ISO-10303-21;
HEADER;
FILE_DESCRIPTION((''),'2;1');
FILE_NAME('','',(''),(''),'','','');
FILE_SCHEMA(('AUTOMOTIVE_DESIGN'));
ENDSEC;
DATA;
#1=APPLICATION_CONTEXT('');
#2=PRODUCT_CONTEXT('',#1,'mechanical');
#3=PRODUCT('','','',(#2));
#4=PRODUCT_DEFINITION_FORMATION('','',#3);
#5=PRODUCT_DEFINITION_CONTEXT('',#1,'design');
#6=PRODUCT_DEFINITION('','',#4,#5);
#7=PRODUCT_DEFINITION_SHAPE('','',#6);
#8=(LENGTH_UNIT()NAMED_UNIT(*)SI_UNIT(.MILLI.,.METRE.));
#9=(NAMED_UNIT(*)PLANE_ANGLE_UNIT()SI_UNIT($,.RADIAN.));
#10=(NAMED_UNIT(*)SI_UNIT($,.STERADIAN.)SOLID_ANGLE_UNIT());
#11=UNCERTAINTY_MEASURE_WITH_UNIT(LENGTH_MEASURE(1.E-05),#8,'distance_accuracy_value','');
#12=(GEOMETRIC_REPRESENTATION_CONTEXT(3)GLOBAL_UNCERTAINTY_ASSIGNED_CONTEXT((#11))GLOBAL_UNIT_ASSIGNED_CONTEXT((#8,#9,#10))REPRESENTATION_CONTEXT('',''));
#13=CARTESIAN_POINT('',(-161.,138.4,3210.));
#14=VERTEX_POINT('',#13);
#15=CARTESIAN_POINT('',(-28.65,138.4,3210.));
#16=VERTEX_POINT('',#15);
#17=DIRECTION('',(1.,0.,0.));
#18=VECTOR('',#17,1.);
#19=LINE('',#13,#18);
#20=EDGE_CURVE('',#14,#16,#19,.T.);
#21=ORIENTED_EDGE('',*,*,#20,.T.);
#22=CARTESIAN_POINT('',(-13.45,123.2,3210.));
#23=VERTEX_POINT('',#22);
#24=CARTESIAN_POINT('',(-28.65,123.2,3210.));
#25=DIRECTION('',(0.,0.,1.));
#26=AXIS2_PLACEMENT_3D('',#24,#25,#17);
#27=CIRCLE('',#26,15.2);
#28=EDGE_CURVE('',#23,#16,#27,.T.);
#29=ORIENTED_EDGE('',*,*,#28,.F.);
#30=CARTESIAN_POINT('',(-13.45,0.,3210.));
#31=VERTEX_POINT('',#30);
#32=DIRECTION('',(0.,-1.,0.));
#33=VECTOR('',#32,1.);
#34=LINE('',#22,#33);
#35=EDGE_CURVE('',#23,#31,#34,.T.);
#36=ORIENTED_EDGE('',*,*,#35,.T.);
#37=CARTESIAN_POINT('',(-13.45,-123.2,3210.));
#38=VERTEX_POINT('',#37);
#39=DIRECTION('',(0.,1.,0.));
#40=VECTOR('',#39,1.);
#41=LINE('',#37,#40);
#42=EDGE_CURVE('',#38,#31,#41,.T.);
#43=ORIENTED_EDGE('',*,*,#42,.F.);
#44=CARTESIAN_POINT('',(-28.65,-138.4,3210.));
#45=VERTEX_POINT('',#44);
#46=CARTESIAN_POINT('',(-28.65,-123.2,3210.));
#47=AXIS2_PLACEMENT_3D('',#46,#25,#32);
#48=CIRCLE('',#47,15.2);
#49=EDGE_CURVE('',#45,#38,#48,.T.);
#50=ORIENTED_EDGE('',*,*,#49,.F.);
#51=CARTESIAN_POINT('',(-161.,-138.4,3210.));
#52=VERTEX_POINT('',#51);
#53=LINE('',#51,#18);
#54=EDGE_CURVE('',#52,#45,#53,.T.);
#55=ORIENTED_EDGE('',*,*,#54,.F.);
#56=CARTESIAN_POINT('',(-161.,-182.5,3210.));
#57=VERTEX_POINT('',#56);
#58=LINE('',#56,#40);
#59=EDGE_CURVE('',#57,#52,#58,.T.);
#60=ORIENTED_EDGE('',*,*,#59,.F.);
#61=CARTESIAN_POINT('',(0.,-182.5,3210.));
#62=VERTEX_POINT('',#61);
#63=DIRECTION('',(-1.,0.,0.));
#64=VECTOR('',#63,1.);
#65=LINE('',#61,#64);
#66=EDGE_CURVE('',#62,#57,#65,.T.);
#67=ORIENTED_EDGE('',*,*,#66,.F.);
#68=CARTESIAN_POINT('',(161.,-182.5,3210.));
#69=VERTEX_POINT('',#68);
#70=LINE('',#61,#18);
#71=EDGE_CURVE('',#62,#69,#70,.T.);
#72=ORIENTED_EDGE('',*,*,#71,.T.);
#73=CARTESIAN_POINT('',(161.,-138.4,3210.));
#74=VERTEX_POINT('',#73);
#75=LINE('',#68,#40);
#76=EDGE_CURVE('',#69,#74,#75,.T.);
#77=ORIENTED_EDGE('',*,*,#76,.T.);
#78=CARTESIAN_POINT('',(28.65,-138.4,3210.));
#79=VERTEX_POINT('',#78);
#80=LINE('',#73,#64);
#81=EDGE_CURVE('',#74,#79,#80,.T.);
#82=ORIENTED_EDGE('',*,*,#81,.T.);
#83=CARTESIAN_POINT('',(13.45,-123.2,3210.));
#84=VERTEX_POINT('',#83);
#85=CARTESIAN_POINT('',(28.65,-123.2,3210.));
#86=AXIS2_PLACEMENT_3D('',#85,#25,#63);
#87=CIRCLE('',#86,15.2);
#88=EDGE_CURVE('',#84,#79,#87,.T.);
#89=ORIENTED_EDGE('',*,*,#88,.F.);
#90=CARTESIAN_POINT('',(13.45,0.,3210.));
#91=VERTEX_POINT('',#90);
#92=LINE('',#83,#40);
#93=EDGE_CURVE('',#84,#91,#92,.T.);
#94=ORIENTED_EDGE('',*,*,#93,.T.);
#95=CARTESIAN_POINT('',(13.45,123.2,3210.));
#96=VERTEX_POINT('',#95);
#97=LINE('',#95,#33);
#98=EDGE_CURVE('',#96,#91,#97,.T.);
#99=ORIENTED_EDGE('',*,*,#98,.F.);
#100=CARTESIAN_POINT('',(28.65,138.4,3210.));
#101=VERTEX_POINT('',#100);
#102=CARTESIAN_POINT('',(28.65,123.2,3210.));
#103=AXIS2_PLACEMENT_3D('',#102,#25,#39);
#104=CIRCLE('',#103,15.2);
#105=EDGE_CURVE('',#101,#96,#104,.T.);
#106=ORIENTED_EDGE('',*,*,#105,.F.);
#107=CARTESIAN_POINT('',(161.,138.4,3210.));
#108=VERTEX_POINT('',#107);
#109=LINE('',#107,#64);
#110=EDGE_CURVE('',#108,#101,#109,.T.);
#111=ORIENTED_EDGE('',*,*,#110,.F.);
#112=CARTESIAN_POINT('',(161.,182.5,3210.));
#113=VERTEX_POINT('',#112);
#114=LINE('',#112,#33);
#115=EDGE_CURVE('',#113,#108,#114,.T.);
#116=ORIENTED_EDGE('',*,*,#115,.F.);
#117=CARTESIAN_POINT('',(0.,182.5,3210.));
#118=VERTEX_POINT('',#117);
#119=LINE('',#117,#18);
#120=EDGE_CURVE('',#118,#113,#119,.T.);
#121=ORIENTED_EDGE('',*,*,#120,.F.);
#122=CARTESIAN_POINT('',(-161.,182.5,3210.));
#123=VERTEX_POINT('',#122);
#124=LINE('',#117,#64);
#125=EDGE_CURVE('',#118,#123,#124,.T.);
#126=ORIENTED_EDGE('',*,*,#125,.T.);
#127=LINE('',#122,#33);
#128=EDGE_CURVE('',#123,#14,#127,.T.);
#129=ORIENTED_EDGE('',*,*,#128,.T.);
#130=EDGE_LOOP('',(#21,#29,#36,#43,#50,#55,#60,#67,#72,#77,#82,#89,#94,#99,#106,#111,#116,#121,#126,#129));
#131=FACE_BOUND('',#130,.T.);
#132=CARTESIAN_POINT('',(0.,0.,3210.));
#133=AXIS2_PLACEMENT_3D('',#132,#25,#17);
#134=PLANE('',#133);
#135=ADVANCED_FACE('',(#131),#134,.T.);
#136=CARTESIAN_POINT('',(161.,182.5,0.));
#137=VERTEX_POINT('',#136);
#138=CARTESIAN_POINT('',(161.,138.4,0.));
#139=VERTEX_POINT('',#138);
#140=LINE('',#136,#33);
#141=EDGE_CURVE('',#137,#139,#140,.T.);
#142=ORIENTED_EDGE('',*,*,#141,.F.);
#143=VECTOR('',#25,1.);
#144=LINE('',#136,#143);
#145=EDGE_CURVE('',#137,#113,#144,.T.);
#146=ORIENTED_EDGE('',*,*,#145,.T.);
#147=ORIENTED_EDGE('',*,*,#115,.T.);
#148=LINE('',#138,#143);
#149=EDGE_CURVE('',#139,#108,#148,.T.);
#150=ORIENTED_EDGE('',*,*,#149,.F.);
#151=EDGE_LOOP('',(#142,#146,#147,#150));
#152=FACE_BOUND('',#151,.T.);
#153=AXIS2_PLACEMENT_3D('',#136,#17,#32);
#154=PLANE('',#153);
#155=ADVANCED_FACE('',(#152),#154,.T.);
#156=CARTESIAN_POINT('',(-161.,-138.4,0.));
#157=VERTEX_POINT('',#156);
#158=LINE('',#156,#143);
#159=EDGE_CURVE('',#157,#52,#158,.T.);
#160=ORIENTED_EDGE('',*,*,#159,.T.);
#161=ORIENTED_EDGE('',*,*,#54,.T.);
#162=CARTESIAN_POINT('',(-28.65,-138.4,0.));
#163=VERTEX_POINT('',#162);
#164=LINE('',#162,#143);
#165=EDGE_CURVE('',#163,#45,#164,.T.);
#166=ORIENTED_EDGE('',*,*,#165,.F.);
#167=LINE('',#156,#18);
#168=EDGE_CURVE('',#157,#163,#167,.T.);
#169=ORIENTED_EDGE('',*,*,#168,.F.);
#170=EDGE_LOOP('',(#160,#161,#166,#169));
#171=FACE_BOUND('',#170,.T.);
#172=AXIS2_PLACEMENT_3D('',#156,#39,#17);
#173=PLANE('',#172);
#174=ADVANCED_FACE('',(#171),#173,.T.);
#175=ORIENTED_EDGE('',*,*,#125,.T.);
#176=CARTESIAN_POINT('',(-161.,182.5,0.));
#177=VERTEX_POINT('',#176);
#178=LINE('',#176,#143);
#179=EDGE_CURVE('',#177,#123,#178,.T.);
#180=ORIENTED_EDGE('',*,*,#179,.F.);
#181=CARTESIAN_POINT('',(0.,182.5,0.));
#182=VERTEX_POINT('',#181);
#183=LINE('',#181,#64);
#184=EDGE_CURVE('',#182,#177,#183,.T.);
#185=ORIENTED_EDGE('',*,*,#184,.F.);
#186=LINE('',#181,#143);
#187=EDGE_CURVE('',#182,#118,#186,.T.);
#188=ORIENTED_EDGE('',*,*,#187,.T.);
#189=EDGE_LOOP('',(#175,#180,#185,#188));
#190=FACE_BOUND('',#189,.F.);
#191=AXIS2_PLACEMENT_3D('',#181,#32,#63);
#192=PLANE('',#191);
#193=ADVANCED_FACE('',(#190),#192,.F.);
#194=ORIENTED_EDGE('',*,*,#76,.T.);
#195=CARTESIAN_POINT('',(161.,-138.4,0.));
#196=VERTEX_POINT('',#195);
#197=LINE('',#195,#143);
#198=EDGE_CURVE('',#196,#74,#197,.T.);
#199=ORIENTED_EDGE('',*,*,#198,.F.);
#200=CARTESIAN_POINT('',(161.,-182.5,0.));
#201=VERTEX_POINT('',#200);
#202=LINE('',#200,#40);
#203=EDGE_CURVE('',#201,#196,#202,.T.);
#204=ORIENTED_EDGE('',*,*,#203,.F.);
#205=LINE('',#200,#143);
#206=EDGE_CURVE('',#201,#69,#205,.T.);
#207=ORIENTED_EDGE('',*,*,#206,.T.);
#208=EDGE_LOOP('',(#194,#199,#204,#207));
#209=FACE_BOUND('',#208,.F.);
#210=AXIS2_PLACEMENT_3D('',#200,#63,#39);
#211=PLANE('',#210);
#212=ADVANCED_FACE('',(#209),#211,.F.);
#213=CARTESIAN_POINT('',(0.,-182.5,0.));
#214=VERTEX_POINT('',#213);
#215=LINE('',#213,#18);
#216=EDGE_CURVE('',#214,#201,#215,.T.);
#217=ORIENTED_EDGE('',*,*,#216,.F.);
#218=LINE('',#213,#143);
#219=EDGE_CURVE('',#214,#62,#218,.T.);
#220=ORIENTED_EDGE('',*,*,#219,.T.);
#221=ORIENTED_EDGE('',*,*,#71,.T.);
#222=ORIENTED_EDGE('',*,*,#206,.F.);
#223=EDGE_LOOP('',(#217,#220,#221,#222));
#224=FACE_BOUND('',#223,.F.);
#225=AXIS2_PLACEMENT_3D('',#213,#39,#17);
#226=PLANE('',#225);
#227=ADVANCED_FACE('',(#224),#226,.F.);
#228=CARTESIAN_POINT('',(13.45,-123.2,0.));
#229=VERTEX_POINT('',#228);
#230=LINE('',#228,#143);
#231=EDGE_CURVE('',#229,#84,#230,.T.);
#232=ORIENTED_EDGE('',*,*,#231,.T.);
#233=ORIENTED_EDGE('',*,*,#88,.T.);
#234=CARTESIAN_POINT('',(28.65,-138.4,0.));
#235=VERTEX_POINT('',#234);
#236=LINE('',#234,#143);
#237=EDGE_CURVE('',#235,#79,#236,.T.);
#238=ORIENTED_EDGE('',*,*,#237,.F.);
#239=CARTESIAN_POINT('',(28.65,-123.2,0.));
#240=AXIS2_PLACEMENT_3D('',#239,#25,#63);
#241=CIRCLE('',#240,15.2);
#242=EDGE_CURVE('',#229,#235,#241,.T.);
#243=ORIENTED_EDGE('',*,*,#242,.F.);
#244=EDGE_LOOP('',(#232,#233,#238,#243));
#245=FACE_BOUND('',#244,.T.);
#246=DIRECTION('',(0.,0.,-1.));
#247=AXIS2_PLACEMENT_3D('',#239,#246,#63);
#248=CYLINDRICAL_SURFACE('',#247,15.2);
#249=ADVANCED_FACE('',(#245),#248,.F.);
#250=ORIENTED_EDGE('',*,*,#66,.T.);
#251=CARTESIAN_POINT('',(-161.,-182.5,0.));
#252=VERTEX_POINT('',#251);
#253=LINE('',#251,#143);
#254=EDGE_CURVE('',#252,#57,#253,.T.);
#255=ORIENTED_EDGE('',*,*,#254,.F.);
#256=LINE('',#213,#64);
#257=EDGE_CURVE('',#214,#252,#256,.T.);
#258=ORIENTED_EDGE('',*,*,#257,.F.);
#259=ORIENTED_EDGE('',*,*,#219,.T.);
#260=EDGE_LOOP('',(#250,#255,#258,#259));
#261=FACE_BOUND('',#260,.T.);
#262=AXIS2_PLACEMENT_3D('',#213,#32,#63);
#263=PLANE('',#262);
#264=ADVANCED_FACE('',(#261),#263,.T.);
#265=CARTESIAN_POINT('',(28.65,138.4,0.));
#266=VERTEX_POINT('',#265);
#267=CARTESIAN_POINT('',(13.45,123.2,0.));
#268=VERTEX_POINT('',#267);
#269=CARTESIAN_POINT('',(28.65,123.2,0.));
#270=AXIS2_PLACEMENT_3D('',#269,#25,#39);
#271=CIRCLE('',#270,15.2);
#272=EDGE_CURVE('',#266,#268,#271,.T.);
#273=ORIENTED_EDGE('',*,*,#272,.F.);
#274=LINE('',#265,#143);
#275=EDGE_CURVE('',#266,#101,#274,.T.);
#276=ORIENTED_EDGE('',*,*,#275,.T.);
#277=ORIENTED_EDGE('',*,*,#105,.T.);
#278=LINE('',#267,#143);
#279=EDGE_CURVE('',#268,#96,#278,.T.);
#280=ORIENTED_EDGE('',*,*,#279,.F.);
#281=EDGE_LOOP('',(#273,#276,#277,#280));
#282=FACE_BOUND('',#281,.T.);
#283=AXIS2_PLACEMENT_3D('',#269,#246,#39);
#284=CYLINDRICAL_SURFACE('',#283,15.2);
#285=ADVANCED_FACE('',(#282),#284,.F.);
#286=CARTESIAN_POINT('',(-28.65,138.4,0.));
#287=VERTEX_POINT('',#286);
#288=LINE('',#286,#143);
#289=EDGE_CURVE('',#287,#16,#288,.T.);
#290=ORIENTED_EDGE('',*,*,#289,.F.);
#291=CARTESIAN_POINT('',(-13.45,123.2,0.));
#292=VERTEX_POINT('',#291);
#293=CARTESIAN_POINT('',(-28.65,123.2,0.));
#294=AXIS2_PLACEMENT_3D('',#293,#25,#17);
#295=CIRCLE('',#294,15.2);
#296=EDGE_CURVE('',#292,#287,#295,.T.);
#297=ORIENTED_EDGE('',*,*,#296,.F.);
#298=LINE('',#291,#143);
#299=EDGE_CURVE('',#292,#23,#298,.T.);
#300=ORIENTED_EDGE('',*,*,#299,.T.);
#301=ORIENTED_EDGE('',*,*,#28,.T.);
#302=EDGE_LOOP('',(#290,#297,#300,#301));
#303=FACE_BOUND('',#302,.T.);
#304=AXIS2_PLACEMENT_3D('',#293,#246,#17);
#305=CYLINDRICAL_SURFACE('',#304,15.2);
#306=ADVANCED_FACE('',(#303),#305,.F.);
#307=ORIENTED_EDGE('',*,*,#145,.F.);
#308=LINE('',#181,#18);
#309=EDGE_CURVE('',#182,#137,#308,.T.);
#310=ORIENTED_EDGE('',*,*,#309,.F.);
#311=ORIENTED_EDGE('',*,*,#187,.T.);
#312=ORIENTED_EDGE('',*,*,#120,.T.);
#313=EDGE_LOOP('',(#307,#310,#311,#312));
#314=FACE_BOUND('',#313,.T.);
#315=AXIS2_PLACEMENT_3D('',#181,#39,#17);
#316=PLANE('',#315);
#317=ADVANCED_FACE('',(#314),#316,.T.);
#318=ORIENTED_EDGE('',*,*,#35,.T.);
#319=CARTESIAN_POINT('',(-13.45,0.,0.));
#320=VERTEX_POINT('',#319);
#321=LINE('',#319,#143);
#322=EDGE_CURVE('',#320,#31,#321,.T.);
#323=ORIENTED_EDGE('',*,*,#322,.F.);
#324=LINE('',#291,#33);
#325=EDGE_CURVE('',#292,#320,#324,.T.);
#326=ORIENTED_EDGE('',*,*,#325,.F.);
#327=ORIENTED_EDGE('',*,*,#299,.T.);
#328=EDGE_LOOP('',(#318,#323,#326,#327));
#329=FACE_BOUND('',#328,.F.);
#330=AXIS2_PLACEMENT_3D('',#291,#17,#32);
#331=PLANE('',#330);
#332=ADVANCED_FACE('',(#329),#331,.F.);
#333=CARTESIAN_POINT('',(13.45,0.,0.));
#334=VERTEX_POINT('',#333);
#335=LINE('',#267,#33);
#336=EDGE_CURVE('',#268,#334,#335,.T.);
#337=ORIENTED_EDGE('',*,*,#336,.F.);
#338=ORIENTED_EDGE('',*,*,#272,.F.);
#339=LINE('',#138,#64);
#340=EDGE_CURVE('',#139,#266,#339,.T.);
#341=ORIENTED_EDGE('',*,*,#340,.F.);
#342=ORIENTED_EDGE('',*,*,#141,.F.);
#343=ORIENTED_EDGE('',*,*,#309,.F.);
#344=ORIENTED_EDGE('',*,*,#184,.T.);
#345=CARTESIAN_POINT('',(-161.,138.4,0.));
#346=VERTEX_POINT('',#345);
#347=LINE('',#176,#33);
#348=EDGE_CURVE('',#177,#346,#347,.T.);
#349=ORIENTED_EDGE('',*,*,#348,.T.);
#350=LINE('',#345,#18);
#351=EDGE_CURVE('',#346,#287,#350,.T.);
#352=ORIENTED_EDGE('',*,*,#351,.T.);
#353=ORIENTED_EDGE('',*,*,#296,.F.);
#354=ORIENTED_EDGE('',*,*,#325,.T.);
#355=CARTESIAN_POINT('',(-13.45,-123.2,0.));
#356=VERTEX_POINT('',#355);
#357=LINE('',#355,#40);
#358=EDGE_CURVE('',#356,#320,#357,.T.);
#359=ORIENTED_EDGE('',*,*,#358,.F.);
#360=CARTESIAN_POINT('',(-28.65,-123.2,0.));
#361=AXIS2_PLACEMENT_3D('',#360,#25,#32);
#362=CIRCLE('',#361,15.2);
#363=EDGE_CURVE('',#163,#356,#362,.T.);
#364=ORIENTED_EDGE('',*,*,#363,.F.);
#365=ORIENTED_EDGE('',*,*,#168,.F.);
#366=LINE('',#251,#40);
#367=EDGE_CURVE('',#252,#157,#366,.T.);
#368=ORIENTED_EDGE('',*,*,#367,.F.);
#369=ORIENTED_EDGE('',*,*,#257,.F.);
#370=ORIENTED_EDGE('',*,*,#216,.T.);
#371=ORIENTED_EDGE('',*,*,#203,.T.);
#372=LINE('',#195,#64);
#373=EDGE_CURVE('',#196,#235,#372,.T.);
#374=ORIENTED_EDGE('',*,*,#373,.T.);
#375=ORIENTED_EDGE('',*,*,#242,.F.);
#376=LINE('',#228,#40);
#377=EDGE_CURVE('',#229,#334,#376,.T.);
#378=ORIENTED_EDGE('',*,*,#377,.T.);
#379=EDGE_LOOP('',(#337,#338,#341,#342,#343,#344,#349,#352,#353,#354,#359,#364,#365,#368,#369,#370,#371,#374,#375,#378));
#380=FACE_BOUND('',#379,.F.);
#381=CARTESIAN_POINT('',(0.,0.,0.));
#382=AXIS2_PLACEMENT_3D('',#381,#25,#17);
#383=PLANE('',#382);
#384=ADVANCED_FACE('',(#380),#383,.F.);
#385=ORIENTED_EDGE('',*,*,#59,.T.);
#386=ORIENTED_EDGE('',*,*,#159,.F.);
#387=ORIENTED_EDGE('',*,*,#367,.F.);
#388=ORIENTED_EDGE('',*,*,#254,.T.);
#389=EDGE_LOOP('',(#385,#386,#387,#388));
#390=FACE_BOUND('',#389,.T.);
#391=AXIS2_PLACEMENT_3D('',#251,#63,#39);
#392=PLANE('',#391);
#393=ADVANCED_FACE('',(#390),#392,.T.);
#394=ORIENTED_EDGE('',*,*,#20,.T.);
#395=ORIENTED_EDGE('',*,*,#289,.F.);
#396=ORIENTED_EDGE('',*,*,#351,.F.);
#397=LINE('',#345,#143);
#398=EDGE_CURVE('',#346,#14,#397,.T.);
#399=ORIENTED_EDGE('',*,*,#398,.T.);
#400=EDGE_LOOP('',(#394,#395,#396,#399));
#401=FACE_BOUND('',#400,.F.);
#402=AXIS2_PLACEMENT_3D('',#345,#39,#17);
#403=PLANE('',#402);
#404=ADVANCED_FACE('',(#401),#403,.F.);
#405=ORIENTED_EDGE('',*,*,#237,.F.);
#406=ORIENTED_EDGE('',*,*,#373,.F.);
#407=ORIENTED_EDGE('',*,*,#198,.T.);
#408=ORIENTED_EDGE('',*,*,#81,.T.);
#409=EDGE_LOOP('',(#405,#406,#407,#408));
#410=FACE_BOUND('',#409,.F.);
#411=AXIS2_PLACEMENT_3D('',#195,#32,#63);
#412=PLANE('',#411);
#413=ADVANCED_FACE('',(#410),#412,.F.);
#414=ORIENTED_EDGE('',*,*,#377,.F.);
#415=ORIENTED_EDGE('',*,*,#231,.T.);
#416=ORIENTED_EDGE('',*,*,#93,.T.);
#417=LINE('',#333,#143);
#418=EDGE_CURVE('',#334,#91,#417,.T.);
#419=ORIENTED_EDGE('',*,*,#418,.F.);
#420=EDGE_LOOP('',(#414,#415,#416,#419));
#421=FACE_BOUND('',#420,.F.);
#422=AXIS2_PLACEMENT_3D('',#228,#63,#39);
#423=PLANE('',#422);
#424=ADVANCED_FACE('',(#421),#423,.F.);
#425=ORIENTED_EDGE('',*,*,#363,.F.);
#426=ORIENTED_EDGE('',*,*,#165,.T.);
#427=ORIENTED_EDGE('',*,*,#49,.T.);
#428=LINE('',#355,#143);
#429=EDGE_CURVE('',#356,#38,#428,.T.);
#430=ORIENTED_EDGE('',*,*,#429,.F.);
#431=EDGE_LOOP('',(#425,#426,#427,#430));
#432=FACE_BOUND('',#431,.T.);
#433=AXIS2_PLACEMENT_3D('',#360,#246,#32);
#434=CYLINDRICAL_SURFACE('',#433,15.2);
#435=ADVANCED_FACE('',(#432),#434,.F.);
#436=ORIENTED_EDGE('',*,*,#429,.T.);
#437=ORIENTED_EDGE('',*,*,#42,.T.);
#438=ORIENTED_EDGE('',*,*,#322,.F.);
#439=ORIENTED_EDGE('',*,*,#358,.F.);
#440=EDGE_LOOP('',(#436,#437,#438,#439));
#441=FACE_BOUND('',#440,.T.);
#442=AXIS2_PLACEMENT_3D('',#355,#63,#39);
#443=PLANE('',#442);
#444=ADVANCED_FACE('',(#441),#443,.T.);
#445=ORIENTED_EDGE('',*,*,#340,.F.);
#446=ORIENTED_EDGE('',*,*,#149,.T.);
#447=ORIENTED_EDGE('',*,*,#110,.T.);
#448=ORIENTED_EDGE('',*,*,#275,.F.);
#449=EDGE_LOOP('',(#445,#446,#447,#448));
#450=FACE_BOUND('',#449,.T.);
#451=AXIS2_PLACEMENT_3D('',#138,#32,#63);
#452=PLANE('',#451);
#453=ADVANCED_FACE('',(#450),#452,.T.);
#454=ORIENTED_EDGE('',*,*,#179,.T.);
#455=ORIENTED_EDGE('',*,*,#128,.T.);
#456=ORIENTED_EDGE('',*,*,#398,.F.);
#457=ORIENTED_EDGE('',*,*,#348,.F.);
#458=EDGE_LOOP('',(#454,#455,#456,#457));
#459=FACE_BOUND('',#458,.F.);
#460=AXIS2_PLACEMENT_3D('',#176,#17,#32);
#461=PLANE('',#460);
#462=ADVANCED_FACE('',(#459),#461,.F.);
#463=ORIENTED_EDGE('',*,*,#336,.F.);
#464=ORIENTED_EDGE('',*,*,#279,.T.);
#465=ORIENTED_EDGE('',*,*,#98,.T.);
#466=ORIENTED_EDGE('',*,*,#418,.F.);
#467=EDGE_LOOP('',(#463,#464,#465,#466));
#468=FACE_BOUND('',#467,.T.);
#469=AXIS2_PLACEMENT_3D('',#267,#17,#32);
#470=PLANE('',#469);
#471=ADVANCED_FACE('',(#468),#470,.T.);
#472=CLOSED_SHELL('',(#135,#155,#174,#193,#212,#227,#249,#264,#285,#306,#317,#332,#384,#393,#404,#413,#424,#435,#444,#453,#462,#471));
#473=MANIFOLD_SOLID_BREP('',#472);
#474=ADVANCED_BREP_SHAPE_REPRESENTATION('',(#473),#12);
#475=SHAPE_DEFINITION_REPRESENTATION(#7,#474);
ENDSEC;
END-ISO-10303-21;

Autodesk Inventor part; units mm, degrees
ref_plane "YZ Plane" through (0, 0, 0) normal (1, 0, 0) x (0, 1, 0)
ref_plane "Start plane" through (0, 0, 0) normal (0, 0, 1) x (1, 0, 0)
ref_plane "End plane" through (0, 0, 3210) normal (0, 0, 1) x (1, 0, 0)
sketch "Sketch" plane through (0, 0, 0) normal (0, 0, 1) x (1, 0, 0)
  line L0 (-161, -182.5) -> (-161, -138.4)
  line L1 (-161, -138.4) -> (-28.65, -138.4)
  line L2 (-13.45, -123.2) -> (-13.45, 0)
  line L3 (-13.45, 0) -> (0, 0) construction
  line L4 (0, 0) -> (0, -182.5) construction
  line L5 (0, -182.5) -> (-161, -182.5)
  line L6 (-60, 0) -> (80, 0) construction
  line L7 (0, -60) -> (0, 80) construction
  line L8 (161, -182.5) -> (161, -138.4)
  line L9 (161, -138.4) -> (28.65, -138.4)
  line L10 (13.45, -123.2) -> (13.45, 0)
  line L11 (13.45, 0) -> (0, 0) construction
  line L12 (0, -182.5) -> (161, -182.5)
  line L13 (-161, 182.5) -> (-161, 138.4)
  line L14 (-161, 138.4) -> (-28.65, 138.4)
  line L15 (-13.45, 123.2) -> (-13.45, 0)
  line L16 (0, 182.5) -> (-161, 182.5)
  line L17 (161, 182.5) -> (161, 138.4)
  line L18 (161, 138.4) -> (28.65, 138.4)
  line L19 (0, 182.5) -> (161, 182.5)
  line L20 (13.45, 123.2) -> (13.45, 0)
  arc A0 (-13.45, 123.2) -> (-28.65, 138.4) centre (-28.65, 123.2) ccw
  arc A1 (28.65, 138.4) -> (13.45, 123.2) centre (28.65, 123.2) ccw
  arc A2 (13.45, -123.2) -> (28.65, -138.4) centre (28.65, -123.2) ccw
  arc A3 (-28.65, -138.4) -> (-13.45, -123.2) centre (-28.65, -123.2) ccw
  line L21 (0, 108) -> (0, -88) construction
  line L22 (-88, 0) -> (108, 0) construction
  point P0 (-13.45, -138.4)
  point P1 (13.45, -138.4)
  point P2 (-13.45, 138.4)
  point P3 (13.45, 138.4)
  dimension "d1" = 182.5
  dimension "d2" = 44.1
  dimension "d3" = 161
  dimension "d4" = 13.45
  dimension "d10" = 15.2
extrude "Body" add sketch "Sketch" along normal up to surface (3210 mm away) from surface at 0
sketch "Sketch4" plane through (0, 0, 0) normal (0, 0, 1) x (1, 0, 0)
  line L0 (0, 0) -> (10, 0)
ref_plane "Work Plane3" through (0, 0, 0) normal (0, -1, 0) x (1, 0, 0)
sketch "Sketch5" plane through (0, 0, 0) normal (0, -1, 0) x (1, 0, 0)
  line L0 (-2, 0) -> (12, 0) projected
  line L1 (-2, 3210) -> (12, 3210) projected
  dimension "d14" = 3210
equation "\"d1\" = 0.5 * G_H"
equation "\"d2\" = G_T1"
equation "\"d3\" = 0.5 * G_W"
equation "\"d4\" = 0.5 * G_T"
equation "\"d10\" = G_IR"
equation "\"d5\" = G_L"
equation "\"G_W\" = 322"
equation "\"G_H\" = 365"
equation "\"G_T\" = 26.9"
equation "\"G_T1\" = 44.1"
equation "\"G_IR\" = 15.2"
equation "\"G_L\" = d14"
equation "\"G_OFFSET_START\" = 0"
equation "\"G_OFFSET_END\" = 0"
properties part number "AS 3679 - 310 UC - 283 - 3210" material "Steel, Mild"
